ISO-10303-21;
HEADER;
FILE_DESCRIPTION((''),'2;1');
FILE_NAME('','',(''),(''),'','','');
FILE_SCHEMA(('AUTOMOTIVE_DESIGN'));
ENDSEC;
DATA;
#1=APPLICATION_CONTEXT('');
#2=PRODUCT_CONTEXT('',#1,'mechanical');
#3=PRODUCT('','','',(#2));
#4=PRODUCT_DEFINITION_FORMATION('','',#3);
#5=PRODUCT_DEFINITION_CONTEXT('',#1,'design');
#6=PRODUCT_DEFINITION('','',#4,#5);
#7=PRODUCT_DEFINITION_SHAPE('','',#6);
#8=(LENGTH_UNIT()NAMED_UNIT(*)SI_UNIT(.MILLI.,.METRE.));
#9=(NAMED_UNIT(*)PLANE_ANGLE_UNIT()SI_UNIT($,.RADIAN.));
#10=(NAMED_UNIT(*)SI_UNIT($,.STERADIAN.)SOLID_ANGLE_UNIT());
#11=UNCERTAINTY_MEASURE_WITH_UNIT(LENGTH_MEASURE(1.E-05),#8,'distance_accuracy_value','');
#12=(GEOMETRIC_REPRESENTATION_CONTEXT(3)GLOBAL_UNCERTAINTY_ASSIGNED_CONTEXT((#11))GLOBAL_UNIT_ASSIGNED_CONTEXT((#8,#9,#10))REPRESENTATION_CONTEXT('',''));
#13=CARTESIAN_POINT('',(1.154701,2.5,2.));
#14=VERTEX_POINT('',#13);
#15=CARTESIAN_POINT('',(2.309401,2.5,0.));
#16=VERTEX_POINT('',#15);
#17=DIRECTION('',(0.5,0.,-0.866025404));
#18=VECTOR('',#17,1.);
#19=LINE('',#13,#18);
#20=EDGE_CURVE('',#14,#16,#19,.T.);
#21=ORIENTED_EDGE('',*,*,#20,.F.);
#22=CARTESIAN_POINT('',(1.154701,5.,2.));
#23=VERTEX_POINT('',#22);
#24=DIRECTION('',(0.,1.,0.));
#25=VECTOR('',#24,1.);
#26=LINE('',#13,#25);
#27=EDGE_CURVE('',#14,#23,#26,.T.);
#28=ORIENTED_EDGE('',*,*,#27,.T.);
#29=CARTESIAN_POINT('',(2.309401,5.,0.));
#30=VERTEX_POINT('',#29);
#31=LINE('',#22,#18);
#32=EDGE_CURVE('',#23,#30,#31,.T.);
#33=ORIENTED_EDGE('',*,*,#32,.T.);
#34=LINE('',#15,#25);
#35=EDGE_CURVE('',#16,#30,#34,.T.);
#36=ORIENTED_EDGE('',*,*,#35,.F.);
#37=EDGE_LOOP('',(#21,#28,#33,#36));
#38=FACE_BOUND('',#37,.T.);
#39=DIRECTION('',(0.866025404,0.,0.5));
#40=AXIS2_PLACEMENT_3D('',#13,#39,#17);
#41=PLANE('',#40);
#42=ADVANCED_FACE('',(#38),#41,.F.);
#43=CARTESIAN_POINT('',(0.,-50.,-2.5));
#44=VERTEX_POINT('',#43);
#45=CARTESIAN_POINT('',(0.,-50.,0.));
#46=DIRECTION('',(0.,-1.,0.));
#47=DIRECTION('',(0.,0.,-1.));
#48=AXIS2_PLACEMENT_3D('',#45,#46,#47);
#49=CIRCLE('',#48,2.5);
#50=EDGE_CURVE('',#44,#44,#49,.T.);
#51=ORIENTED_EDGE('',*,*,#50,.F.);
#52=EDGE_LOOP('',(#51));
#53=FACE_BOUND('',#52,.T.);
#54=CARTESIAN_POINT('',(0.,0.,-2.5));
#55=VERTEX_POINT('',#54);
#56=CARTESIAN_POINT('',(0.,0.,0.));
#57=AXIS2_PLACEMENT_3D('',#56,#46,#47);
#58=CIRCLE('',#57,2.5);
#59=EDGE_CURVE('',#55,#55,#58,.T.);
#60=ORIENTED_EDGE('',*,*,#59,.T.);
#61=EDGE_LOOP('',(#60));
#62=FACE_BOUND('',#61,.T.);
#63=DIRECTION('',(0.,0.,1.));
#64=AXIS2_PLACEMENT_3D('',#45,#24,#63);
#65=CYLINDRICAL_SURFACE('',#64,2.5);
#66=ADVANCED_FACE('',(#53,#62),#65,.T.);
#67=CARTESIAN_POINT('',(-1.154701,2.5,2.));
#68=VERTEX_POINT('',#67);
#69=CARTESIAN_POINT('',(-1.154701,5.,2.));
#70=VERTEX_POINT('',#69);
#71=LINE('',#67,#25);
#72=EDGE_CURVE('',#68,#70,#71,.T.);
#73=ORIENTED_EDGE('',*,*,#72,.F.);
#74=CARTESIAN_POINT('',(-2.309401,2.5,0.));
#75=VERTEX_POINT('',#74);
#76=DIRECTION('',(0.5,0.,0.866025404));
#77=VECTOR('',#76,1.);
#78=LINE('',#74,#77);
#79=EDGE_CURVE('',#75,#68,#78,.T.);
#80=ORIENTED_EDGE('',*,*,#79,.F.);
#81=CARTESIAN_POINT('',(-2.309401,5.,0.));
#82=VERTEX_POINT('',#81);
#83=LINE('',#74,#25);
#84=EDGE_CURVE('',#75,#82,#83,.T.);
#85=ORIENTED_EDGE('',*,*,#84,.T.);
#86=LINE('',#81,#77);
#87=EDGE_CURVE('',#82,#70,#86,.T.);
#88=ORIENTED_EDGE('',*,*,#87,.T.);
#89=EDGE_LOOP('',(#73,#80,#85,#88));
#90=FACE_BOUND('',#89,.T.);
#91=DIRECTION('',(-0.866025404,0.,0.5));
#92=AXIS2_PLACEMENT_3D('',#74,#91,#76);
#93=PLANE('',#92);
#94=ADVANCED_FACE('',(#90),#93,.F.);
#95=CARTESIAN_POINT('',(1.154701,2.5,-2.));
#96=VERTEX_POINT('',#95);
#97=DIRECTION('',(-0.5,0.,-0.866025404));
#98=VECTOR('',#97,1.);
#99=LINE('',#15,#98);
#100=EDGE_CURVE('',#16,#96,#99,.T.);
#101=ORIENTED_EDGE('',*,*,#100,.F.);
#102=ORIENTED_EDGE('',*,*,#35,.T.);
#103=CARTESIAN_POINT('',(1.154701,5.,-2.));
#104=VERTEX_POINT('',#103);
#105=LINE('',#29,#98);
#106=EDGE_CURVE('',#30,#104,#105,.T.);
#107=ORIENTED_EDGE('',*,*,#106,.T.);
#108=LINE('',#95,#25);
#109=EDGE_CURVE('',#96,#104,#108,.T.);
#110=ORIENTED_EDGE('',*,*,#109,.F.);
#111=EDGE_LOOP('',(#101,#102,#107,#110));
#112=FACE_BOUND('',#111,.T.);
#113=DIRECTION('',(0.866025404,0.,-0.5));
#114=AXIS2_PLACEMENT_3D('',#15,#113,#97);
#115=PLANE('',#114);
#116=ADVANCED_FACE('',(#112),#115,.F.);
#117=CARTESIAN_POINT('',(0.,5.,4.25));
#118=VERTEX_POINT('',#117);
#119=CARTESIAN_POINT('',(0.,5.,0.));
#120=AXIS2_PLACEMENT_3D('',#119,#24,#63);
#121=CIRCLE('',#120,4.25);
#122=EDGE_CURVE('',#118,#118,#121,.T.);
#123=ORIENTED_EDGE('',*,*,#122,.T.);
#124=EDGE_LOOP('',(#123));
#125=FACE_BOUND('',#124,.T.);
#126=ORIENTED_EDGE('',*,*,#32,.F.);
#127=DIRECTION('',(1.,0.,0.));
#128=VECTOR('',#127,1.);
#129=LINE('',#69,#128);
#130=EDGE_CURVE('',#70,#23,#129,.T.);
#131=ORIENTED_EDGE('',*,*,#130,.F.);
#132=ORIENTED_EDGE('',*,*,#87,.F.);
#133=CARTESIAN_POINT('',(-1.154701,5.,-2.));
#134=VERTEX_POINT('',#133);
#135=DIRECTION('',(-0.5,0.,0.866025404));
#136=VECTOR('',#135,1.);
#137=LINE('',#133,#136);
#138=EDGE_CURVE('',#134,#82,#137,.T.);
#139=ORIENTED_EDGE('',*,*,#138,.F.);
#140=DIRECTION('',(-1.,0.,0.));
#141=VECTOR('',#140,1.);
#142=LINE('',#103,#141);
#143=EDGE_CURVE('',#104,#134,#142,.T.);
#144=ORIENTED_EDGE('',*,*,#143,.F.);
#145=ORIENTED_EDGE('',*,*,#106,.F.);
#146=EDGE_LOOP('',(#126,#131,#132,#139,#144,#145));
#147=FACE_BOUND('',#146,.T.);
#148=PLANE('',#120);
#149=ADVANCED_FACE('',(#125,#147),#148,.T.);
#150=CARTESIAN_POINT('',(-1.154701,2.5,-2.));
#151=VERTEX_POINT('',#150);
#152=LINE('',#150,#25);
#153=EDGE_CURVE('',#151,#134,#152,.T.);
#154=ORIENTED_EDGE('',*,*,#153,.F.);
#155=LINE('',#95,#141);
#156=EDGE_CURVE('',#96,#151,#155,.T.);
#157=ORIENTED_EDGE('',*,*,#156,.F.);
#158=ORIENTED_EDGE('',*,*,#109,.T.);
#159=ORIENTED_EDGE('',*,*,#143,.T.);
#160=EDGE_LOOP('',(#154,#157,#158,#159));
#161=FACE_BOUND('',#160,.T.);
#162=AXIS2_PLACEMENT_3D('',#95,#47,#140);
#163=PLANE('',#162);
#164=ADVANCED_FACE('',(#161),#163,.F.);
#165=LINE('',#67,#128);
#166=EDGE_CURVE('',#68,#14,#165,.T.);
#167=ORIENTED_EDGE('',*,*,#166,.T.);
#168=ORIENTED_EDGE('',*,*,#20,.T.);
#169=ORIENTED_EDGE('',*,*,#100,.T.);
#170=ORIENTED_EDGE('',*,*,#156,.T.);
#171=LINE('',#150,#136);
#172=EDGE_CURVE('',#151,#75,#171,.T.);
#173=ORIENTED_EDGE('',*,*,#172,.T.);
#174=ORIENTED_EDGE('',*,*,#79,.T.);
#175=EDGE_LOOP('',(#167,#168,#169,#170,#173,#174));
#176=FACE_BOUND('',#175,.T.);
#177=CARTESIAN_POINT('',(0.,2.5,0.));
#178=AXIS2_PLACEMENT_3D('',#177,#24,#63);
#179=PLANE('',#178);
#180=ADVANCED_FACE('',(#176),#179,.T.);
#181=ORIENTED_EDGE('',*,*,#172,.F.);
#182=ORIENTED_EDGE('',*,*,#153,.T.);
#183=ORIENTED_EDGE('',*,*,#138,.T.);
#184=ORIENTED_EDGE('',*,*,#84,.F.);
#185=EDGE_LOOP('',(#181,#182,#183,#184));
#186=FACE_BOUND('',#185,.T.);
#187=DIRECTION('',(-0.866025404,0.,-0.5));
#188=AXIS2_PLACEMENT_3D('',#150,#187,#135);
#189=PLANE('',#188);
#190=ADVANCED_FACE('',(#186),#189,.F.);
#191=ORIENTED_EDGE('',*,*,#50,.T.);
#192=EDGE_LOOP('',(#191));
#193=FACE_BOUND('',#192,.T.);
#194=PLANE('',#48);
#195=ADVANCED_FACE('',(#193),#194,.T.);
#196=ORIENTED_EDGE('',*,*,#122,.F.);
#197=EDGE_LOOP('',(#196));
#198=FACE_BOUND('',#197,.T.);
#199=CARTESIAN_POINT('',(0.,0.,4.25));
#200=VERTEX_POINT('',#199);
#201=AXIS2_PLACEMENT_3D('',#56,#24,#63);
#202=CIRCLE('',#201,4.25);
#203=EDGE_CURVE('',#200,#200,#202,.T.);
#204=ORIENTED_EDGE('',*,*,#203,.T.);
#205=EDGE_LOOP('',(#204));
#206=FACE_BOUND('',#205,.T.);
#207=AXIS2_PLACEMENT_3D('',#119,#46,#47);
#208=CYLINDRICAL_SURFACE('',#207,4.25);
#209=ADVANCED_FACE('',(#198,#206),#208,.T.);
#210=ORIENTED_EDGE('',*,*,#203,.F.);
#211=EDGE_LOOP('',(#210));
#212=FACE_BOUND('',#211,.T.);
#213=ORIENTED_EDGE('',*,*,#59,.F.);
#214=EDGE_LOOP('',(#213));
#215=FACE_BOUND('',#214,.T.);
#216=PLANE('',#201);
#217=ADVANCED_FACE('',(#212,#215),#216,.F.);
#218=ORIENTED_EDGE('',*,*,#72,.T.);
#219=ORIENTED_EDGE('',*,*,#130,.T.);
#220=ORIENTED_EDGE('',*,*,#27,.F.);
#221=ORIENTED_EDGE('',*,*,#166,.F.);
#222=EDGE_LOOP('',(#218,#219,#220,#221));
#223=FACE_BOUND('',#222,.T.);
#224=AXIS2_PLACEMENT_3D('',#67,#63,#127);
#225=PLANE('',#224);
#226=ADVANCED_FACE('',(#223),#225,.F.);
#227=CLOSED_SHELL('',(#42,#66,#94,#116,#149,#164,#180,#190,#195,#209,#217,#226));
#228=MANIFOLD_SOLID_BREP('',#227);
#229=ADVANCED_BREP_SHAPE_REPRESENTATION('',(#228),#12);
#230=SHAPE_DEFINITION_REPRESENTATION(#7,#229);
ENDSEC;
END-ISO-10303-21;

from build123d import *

# Parameters (mm, degrees)
SKETCH_1_R          = 4.25
EXTRUDE_1_DEPTH     = 5
CUT_EXTRUDE_1_DEPTH = 2.5
SKETCH_3_R          = 2.5
EXTRUDE_2_DEPTH     = 50


with BuildPart() as part:
    # 草图1 → 凸台-拉伸1 (new body)
    with BuildSketch(Plane(origin=(0, 0, 0), x_dir=(1, 0, 0), z_dir=(0, 1, 0))):
        Circle(SKETCH_1_R)
    extrude(amount=EXTRUDE_1_DEPTH)

    # 草图2 → 切除-拉伸1 (cut)
    with BuildSketch(Plane(origin=(0, 5, 0), x_dir=(1, 0, 0), z_dir=(0, 1, 0))):
        Polygon((2.309401077, 0), (1.154700538, 2), (-1.154700538, 2), (-2.309401077, 0), (-1.154700538, -2), (1.154700538, -2), align=None)
    extrude(amount=-CUT_EXTRUDE_1_DEPTH, mode=Mode.SUBTRACT)

    # 草图3 → 凸台-拉伸2 (add)
    with BuildSketch(Plane.XZ):
        Circle(SKETCH_3_R)
    extrude(amount=EXTRUDE_2_DEPTH)


solid = part.part
